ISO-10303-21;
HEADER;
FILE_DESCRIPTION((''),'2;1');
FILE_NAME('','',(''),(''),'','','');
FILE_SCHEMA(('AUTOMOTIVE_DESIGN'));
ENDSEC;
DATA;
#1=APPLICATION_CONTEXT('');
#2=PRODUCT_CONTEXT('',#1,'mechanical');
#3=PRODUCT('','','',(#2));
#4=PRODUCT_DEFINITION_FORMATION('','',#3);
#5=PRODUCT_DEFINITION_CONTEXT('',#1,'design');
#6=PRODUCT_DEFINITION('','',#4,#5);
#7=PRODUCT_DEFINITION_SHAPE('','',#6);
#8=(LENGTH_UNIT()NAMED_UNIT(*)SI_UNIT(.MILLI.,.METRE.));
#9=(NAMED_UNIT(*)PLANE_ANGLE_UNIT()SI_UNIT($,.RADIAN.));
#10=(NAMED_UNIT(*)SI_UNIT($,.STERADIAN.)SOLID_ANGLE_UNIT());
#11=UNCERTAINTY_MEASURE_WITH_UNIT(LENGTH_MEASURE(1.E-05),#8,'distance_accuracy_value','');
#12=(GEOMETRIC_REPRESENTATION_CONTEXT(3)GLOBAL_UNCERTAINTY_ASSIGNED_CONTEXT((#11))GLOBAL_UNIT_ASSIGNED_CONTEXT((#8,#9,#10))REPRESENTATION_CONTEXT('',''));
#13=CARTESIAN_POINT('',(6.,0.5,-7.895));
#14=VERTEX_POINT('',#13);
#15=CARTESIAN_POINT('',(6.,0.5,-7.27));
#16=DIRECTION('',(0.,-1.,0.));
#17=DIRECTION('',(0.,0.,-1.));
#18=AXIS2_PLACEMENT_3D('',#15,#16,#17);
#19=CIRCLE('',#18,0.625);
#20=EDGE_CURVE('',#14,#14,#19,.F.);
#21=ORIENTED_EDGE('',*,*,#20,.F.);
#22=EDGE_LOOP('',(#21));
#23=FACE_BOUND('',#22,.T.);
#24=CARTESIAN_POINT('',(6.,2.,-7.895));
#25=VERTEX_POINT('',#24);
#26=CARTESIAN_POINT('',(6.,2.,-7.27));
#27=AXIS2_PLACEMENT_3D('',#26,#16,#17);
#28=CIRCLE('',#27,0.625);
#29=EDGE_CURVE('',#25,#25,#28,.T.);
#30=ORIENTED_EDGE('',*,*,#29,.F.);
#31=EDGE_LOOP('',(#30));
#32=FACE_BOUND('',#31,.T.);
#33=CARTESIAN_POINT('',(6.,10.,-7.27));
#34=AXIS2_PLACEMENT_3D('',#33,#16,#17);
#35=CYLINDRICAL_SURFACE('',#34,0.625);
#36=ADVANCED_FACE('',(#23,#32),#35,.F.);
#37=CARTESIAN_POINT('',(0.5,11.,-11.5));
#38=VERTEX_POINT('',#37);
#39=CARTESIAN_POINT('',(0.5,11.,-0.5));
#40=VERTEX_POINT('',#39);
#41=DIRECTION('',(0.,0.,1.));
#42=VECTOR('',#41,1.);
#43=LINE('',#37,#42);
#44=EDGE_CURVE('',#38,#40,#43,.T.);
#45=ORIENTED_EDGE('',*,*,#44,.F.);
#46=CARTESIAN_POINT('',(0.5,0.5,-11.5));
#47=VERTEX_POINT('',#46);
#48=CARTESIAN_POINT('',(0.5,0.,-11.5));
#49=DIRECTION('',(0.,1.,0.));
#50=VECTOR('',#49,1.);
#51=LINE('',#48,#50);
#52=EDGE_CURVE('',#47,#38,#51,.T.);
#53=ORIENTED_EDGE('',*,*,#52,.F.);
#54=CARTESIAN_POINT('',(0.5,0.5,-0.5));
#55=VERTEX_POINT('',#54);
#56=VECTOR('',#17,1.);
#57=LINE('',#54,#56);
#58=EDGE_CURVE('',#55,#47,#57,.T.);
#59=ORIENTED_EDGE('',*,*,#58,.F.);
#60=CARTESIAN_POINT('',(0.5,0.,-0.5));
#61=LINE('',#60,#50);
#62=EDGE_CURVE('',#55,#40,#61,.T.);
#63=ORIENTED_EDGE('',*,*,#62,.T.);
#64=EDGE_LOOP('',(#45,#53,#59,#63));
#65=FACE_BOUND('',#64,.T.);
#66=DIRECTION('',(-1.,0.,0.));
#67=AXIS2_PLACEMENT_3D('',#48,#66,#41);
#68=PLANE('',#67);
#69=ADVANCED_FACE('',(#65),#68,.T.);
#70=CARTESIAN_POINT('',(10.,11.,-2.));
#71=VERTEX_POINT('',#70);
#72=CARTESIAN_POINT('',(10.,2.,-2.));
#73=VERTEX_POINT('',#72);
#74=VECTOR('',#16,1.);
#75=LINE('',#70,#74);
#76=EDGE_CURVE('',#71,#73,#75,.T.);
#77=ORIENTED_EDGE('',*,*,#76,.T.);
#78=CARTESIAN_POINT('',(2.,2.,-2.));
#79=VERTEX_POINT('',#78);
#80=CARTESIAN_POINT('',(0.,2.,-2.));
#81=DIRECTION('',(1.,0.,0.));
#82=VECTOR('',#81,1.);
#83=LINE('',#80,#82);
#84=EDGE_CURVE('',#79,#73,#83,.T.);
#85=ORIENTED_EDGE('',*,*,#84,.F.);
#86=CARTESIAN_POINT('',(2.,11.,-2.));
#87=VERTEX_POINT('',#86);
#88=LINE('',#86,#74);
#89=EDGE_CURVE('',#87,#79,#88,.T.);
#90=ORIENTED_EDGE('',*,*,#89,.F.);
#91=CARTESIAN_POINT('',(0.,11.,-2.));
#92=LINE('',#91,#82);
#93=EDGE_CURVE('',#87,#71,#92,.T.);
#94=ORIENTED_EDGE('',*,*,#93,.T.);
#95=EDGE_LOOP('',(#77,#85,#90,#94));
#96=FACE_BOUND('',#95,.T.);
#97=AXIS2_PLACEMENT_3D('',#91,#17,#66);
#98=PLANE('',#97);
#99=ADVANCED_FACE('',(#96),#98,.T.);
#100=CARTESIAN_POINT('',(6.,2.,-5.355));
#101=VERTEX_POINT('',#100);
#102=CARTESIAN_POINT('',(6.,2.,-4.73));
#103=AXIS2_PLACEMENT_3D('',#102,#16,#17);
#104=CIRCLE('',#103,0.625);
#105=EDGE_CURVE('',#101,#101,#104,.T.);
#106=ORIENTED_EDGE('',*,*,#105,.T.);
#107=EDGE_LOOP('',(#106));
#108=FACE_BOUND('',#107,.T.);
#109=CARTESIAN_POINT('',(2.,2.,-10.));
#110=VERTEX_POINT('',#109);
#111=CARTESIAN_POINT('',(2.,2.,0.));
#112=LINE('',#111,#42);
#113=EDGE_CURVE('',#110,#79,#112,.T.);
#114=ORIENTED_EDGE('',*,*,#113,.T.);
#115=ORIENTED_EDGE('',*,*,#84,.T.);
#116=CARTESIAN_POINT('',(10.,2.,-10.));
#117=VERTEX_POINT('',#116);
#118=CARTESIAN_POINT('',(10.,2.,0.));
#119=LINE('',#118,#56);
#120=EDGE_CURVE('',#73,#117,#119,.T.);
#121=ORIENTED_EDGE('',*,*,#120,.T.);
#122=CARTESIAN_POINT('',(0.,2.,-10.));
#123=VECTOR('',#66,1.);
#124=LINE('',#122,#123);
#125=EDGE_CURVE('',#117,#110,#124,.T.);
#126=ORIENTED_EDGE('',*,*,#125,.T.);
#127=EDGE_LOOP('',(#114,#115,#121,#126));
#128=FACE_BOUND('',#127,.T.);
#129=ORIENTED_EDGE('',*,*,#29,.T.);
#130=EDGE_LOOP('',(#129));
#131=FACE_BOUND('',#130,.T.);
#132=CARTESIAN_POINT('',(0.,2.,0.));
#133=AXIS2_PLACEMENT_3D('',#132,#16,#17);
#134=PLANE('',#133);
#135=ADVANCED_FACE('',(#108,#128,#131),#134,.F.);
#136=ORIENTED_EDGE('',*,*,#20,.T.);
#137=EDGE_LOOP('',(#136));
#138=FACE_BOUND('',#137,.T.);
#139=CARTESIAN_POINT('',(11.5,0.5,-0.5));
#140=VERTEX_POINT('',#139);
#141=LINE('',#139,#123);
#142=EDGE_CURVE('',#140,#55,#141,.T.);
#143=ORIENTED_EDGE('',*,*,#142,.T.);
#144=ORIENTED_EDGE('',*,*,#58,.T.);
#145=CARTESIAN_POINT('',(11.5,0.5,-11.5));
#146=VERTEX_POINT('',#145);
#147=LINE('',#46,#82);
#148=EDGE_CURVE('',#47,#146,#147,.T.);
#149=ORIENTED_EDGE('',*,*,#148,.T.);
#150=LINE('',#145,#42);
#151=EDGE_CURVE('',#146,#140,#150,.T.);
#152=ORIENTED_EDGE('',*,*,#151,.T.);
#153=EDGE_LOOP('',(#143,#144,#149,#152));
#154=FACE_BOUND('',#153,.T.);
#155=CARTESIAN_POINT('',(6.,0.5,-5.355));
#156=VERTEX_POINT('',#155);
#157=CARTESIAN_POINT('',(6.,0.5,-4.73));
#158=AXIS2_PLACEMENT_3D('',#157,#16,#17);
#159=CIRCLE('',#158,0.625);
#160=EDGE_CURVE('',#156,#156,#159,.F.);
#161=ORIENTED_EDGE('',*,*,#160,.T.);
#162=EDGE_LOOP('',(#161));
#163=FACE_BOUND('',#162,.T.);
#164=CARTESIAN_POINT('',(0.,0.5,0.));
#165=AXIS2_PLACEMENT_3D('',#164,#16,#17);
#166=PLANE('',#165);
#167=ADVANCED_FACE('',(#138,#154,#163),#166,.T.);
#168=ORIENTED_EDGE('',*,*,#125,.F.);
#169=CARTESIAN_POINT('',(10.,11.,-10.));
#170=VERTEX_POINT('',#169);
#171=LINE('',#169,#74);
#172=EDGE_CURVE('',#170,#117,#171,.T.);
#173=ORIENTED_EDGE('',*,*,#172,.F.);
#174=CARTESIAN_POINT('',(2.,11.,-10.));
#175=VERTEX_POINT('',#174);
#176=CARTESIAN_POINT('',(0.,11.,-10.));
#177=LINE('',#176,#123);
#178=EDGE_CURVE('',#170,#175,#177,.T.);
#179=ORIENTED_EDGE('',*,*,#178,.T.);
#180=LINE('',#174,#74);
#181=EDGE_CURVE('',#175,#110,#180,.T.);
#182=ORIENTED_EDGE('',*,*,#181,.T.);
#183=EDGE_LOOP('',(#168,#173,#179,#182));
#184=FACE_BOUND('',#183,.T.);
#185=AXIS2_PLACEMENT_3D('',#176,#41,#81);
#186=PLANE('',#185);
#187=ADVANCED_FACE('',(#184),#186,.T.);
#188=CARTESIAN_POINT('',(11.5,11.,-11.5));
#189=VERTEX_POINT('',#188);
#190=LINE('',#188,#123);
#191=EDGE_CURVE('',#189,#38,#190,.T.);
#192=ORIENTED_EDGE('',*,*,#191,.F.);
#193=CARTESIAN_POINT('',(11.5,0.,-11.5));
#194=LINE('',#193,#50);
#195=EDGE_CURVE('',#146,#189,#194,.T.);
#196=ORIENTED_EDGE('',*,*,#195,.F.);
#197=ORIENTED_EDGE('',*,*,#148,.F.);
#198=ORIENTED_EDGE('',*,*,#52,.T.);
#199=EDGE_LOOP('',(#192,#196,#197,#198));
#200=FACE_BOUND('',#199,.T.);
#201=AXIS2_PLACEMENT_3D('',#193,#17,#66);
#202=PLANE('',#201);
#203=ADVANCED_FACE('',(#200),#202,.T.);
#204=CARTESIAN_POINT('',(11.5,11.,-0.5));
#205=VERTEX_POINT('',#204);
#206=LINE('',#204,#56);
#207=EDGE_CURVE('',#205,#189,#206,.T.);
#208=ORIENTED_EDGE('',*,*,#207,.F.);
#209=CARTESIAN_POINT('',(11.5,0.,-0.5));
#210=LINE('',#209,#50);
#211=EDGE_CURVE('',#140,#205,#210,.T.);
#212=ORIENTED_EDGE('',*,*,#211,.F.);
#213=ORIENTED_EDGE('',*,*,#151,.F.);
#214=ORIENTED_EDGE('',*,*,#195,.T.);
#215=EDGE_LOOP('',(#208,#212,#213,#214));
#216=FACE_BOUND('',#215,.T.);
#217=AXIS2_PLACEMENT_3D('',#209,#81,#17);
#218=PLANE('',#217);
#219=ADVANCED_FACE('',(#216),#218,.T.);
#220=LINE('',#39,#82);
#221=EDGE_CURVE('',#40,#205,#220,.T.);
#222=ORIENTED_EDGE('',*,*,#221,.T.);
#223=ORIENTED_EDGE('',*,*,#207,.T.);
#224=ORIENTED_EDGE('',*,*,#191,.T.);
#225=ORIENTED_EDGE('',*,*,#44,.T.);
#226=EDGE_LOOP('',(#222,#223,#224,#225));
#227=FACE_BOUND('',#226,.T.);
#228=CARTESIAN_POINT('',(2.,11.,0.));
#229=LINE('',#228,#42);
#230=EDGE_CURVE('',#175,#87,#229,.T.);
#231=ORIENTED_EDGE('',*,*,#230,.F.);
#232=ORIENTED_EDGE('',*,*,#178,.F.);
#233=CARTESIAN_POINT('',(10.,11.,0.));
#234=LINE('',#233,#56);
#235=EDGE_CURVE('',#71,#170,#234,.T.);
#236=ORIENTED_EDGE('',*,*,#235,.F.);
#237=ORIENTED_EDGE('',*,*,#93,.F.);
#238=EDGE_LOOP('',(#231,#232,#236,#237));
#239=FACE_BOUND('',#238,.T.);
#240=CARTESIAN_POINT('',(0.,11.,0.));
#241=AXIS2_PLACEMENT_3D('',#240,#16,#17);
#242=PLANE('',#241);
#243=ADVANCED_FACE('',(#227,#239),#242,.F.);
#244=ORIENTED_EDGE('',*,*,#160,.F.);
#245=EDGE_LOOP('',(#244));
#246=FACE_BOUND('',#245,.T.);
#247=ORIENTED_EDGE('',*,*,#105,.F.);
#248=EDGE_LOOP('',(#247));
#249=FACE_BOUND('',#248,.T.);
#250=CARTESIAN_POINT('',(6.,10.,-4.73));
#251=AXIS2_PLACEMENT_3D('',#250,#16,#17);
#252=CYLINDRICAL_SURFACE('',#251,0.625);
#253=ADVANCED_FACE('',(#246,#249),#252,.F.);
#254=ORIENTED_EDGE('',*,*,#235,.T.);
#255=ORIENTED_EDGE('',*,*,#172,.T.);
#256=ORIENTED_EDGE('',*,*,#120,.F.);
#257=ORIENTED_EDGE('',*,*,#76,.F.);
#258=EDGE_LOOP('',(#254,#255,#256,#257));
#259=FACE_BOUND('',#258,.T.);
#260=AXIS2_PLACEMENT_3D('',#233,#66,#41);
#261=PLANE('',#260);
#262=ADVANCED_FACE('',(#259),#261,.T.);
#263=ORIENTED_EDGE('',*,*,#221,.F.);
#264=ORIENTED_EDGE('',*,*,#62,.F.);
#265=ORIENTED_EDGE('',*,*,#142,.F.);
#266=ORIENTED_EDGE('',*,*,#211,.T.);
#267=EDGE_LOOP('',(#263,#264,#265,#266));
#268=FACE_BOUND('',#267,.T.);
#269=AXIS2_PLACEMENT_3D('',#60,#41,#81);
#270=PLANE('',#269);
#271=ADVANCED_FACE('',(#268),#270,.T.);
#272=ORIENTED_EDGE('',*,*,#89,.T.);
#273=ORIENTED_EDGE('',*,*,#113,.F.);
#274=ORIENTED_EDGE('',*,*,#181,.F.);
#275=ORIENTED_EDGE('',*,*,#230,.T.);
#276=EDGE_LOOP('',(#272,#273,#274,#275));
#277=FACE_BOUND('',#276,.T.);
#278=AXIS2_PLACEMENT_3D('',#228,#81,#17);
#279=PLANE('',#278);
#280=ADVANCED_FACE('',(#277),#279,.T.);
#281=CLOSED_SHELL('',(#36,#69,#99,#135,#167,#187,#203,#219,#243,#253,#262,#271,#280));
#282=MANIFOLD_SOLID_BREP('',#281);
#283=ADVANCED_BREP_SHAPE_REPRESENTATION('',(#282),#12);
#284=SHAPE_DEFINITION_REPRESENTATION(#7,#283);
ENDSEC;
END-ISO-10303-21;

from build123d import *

# Parameters (mm, degrees)
SKETCH1_W           = 12
SKETCH1_H           = 12
BOSS_EXTRUDE1_DEPTH = 11
SHELL1_T            = -2
SKETCH3_R           = 0.625
CUT_EXTRUDE1_DEPTH  = 10
SKETCH4_W           = 12
SKETCH4_H           = 12
SKETCH4_W_2         = 11
SKETCH4_H_2         = 11
CUT_EXTRUDE2_DEPTH  = 12
SKETCH5_W           = 11
SKETCH5_H           = 11
CUT_EXTRUDE3_DEPTH  = 0.5


with BuildPart() as part:
    # Sketch1 → Boss-Extrude1 (new body)
    with BuildSketch(Plane(origin=(0, 0, 0), x_dir=(1, 0, 0), z_dir=(0, 1, 0))):
        with Locations((6, 6)):
            Rectangle(SKETCH1_W, SKETCH1_H)
    extrude(amount=BOSS_EXTRUDE1_DEPTH)

    # Shell1
    shell1_openings = [part.faces().sort_by_distance(p)[0] for p in [
        (6, 11, -6),
    ]]
    offset(amount=SHELL1_T, openings=shell1_openings, kind=Kind.INTERSECTION)

    # Sketch3 → Cut-Extrude1 (cut)
    with BuildSketch(Plane.XZ):
        with Locations((6, -4.73)):
            Circle(SKETCH3_R)
        with Locations((6, -7.27)):
            Circle(SKETCH3_R)
    extrude(amount=-CUT_EXTRUDE1_DEPTH, mode=Mode.SUBTRACT)

    # Sketch4 → Cut-Extrude2 (cut, through all)
    with BuildSketch(Plane(origin=(0, 11, 0), x_dir=(1, 0, 0), z_dir=(0, 1, 0))):
        with Locations((6, 6)):
            Rectangle(SKETCH4_W, SKETCH4_H)
        with Locations((6, 6)):
            Rectangle(SKETCH4_W_2, SKETCH4_H_2, mode=Mode.SUBTRACT)
    extrude(amount=-CUT_EXTRUDE2_DEPTH, mode=Mode.SUBTRACT)

    # Sketch5 → Cut-Extrude3 (cut)
    with BuildSketch(Plane.XZ):
        with Locations((6, -6)):
            Rectangle(SKETCH5_W, SKETCH5_H)
    extrude(amount=-CUT_EXTRUDE3_DEPTH, mode=Mode.SUBTRACT)


solid = part.part
